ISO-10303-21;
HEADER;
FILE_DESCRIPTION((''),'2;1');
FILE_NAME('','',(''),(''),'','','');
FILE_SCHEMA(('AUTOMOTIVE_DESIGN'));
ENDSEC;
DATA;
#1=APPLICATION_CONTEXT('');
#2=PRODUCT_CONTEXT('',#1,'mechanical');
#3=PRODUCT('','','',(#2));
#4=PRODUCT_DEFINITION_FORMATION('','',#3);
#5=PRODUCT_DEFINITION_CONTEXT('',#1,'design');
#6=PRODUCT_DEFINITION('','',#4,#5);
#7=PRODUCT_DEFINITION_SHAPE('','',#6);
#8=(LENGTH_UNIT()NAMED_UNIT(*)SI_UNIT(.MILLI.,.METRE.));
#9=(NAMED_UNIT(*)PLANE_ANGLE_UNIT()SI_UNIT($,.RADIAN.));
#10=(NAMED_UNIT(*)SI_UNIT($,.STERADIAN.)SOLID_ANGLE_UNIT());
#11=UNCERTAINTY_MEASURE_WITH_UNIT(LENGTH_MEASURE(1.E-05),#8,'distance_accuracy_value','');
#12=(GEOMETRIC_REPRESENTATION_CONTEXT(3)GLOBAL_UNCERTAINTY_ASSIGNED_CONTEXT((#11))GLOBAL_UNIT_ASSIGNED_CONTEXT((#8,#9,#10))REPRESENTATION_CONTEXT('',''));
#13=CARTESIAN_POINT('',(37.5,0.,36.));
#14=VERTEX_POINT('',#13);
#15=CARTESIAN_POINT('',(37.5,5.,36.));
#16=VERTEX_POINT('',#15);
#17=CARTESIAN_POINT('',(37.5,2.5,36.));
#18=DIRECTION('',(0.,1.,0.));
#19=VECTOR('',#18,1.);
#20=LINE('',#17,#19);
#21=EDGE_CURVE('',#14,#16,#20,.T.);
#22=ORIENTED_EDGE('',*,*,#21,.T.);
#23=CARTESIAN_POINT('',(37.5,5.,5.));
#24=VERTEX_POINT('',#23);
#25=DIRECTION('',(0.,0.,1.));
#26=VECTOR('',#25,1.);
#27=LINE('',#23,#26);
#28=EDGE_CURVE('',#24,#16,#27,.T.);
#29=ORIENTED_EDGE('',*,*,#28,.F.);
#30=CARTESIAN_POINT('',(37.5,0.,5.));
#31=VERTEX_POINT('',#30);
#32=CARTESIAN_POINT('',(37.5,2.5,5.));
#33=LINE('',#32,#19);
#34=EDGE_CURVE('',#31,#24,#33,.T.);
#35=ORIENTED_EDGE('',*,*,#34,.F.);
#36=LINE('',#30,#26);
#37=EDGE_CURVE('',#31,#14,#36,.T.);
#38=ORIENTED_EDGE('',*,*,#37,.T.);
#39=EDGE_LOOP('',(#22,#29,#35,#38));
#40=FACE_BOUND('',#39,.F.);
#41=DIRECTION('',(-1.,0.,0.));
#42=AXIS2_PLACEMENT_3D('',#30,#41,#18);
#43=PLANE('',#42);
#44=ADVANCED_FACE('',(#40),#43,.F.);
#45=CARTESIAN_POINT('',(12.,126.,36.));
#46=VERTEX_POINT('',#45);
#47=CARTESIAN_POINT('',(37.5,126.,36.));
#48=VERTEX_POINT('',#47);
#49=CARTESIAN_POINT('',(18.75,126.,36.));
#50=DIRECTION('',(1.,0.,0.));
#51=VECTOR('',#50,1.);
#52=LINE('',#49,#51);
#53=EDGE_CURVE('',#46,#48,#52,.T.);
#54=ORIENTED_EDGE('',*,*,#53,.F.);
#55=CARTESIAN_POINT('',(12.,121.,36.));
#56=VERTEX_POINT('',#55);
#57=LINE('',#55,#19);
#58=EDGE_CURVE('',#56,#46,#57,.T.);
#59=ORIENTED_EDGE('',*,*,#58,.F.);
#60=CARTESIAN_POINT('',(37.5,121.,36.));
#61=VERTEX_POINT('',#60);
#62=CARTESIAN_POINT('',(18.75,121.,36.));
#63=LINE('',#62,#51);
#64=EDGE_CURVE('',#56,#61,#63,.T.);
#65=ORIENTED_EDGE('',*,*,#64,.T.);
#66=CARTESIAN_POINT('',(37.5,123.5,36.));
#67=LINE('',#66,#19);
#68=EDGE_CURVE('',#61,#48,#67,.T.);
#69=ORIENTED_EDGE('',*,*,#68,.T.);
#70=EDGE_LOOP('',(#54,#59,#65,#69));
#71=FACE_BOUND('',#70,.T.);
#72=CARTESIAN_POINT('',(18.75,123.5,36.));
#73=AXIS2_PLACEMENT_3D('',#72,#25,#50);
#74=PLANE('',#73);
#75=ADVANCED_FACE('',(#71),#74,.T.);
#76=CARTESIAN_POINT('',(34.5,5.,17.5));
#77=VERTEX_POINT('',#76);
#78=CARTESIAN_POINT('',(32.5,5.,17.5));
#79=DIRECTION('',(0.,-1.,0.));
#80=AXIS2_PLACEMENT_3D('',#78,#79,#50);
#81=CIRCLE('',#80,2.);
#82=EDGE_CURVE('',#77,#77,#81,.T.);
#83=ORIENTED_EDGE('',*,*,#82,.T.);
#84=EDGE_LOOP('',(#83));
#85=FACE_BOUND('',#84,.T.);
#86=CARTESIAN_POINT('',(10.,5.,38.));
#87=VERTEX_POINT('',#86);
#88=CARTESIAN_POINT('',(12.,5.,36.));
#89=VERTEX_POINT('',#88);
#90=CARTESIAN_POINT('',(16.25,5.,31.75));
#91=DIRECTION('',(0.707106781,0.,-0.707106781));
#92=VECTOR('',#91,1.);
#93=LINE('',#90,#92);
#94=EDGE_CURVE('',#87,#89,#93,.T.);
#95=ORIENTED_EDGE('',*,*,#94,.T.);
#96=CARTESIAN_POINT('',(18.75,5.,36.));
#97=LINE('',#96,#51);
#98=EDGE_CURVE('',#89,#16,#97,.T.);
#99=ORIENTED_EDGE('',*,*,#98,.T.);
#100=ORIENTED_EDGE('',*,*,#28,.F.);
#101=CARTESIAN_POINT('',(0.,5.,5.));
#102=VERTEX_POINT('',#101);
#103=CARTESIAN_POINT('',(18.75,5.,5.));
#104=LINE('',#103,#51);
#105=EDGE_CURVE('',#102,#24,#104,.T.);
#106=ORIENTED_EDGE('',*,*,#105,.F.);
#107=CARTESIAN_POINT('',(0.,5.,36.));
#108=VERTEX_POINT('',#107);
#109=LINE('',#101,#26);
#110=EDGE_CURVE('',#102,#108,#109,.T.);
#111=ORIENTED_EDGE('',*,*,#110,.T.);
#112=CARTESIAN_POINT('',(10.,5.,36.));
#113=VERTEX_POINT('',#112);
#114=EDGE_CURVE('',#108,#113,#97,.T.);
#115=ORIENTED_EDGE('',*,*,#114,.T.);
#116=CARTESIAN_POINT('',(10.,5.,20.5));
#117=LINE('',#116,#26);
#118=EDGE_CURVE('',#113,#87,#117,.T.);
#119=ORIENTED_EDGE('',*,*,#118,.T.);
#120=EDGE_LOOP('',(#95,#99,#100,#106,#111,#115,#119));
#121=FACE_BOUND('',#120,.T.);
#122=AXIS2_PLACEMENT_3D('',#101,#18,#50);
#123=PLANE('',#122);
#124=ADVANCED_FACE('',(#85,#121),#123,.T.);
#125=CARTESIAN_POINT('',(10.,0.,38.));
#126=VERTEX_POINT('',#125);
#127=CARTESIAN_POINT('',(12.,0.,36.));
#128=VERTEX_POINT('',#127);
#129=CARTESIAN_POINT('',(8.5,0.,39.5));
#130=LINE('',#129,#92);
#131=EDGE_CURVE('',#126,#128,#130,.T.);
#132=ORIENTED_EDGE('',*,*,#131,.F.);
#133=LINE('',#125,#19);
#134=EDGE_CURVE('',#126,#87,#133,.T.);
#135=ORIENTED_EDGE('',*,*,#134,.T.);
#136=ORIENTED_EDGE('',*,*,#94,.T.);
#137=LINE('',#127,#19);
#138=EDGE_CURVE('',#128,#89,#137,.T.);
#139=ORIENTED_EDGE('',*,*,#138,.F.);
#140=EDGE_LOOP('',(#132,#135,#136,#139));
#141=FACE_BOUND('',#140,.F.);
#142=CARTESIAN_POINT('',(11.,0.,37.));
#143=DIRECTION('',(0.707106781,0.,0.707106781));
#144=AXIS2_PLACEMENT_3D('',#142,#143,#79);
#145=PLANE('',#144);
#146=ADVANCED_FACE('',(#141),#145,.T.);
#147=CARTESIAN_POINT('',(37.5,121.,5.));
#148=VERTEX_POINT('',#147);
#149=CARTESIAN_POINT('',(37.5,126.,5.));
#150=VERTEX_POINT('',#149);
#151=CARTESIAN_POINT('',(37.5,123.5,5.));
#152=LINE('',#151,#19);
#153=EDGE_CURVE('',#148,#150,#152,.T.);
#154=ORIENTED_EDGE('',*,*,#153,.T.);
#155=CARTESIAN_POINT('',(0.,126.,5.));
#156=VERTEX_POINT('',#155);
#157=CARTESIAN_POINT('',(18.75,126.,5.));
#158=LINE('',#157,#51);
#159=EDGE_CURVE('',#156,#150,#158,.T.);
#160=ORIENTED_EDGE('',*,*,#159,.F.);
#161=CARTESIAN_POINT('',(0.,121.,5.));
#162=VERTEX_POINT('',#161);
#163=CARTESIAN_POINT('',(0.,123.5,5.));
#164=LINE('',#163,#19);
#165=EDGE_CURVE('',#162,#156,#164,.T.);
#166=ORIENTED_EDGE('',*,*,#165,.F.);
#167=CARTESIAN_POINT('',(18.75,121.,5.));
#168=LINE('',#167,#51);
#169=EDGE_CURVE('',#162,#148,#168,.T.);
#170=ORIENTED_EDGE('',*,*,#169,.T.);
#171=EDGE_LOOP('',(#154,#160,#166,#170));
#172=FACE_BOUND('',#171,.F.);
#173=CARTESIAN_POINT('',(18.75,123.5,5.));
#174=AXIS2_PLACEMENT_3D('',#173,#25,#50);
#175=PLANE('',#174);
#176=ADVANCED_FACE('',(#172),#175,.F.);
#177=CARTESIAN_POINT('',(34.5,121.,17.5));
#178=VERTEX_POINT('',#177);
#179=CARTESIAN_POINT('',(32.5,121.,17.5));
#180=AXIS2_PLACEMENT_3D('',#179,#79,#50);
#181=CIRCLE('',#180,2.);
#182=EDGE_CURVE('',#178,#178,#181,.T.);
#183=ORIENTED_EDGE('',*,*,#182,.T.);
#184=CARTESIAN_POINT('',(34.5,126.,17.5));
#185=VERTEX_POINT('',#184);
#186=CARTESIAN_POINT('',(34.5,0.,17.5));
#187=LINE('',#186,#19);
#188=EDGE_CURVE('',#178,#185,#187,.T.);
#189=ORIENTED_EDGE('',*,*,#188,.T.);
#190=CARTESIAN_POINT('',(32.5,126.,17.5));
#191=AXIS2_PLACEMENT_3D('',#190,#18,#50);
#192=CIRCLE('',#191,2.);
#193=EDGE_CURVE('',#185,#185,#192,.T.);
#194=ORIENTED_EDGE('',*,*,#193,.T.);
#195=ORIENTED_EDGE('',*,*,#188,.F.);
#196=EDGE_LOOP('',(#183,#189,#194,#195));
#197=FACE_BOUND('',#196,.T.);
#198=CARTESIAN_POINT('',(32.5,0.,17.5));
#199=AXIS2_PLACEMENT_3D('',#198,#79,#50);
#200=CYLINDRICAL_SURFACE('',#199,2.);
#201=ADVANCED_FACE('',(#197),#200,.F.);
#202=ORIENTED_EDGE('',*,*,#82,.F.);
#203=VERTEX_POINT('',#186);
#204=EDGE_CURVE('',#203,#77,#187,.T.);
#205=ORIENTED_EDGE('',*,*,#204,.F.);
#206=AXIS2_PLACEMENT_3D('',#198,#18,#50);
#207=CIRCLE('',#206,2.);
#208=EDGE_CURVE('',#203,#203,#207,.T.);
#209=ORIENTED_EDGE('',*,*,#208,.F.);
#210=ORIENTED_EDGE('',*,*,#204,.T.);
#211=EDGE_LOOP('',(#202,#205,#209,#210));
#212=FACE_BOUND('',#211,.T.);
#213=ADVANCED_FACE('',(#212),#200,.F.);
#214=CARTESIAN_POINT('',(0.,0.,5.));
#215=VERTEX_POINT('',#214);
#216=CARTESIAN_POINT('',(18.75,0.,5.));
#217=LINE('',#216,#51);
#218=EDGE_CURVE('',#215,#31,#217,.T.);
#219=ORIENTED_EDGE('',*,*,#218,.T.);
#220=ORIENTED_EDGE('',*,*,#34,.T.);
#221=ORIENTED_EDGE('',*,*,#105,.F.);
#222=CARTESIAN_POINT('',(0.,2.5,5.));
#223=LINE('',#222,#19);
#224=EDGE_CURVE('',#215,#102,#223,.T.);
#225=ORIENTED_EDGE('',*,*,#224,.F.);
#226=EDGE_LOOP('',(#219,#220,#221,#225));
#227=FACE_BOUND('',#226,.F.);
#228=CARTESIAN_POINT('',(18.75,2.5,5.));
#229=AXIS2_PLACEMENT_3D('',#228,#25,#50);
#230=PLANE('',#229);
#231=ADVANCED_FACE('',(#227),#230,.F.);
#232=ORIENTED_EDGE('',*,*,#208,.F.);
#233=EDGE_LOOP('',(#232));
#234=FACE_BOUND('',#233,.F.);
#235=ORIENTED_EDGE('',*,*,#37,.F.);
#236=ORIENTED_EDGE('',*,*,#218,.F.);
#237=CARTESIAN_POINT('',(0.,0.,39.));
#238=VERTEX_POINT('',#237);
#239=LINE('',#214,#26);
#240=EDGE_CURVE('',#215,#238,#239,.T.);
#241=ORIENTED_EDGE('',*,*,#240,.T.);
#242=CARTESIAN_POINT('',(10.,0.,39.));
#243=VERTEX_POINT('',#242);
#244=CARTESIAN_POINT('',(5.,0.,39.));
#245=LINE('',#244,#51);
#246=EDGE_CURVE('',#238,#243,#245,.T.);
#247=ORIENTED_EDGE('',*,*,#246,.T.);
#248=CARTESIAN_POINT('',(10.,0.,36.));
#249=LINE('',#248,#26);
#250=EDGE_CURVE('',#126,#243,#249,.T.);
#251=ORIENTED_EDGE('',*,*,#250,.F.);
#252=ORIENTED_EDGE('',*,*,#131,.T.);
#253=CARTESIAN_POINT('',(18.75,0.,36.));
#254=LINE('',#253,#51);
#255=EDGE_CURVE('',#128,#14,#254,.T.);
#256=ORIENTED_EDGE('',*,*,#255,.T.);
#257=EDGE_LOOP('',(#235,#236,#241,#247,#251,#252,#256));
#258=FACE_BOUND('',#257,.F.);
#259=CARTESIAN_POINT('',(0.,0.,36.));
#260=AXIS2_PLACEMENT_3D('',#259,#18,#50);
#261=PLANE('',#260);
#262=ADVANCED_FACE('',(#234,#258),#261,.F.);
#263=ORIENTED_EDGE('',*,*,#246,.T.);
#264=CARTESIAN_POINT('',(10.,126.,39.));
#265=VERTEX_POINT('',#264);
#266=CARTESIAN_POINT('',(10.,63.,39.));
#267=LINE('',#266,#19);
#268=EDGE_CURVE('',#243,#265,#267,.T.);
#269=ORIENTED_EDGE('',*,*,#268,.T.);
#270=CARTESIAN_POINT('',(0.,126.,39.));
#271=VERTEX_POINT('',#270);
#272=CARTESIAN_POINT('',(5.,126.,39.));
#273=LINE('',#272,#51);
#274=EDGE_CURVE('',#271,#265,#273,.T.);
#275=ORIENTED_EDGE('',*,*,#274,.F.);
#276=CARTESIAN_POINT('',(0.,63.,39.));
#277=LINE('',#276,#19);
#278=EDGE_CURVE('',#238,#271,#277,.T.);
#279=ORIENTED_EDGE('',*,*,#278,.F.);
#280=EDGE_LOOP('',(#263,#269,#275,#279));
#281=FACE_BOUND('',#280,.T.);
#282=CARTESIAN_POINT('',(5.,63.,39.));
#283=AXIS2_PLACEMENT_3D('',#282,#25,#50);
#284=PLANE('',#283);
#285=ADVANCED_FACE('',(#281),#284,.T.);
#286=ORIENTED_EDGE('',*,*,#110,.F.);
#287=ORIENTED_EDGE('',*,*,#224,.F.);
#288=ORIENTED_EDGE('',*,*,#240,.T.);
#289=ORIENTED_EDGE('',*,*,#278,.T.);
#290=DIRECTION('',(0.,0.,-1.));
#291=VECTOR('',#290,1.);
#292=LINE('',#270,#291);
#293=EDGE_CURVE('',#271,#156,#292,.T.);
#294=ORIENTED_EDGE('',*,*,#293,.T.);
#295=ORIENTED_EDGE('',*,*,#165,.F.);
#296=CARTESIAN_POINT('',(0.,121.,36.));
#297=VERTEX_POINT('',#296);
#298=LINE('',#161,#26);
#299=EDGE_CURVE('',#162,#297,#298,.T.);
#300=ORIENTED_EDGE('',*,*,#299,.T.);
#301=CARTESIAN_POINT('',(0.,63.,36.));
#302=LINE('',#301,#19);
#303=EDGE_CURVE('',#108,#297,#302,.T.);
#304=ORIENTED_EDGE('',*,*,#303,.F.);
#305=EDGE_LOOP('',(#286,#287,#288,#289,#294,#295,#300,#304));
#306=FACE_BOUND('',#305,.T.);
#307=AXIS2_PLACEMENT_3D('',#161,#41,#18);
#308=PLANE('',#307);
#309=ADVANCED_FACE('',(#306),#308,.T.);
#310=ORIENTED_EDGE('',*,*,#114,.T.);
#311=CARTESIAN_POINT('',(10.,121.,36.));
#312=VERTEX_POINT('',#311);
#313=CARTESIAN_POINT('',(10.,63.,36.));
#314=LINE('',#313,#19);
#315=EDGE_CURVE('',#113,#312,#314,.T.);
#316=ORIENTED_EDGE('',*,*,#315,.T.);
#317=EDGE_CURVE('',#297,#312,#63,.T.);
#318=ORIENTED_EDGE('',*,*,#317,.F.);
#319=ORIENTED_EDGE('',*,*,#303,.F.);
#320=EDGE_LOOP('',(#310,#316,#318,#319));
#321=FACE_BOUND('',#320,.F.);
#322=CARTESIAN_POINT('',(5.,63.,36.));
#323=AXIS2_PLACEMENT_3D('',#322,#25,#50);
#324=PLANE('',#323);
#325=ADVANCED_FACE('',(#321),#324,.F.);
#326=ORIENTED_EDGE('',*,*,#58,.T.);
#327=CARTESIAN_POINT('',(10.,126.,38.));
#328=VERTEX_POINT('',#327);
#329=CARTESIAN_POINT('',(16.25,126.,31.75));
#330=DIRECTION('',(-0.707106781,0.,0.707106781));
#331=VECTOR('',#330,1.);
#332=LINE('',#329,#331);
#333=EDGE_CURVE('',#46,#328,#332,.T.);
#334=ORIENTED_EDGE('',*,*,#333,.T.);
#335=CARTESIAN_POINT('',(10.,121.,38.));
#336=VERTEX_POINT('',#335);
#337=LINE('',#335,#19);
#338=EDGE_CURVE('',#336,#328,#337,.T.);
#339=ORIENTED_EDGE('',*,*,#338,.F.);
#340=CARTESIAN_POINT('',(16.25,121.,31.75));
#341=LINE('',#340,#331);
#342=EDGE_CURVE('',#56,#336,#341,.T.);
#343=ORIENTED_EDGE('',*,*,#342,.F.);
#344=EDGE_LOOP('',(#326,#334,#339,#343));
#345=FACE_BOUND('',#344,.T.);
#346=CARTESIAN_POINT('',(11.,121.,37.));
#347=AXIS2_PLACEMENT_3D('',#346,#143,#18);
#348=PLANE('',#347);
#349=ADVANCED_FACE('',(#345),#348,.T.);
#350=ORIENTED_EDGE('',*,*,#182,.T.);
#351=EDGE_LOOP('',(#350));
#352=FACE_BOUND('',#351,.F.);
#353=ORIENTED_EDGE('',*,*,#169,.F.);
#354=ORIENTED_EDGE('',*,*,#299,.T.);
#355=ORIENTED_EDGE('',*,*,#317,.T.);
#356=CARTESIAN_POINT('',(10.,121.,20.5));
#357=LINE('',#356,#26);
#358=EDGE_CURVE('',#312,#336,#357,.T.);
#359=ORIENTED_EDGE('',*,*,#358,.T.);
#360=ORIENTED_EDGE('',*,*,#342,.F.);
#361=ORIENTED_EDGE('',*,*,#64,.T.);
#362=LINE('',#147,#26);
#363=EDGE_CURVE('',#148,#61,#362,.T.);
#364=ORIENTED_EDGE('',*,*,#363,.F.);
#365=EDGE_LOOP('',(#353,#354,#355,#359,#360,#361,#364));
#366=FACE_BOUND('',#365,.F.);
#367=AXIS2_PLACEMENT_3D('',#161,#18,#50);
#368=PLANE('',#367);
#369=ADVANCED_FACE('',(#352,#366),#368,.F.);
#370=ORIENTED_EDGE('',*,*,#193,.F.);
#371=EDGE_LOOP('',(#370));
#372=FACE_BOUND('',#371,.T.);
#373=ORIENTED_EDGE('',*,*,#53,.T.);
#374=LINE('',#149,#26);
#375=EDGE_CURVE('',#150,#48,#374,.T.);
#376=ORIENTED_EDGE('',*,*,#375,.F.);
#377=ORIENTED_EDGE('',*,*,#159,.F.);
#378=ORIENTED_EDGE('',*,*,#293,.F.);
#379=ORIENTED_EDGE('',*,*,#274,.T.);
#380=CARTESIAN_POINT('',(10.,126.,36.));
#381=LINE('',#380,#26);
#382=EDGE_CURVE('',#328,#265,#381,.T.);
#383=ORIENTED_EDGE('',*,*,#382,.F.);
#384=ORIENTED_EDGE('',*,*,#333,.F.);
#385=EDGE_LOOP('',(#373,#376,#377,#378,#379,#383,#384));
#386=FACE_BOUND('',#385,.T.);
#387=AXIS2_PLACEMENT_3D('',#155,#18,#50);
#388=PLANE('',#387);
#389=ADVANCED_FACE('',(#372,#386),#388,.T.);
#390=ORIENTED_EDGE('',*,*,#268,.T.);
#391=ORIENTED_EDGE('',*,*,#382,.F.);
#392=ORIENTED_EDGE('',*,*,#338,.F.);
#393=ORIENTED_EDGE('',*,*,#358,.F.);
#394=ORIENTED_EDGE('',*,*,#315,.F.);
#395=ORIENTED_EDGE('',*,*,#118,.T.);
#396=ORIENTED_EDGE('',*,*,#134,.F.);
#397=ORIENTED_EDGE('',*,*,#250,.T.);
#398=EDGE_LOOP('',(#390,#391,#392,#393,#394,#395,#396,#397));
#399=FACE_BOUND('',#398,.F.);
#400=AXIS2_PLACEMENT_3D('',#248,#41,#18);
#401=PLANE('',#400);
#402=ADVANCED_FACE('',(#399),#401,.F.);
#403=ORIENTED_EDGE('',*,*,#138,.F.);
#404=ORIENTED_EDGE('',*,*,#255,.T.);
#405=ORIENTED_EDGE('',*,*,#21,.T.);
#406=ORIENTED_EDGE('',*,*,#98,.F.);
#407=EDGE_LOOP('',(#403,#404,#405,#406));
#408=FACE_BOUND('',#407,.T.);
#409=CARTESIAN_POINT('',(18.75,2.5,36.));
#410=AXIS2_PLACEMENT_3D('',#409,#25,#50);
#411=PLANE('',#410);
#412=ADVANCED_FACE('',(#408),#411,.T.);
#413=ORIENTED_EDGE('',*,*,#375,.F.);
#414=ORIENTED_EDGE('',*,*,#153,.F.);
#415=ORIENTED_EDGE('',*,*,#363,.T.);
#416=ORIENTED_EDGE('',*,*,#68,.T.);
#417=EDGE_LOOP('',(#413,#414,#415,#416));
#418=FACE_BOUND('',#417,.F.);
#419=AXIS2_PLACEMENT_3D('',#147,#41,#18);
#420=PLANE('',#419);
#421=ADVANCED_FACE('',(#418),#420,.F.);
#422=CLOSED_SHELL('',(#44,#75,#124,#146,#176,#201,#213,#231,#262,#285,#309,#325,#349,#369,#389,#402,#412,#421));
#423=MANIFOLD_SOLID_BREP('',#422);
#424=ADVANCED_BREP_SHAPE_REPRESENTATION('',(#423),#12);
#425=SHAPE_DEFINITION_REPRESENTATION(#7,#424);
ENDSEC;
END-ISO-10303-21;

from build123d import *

# Parameters (mm, degrees)
CYLINDER015_R     = 2
CYLINDER015_DEPTH = 126
BOX020_W          = 10
BOX020_H          = 126
BOX020_DEPTH      = 3
BOX019_W          = 37.5
BOX019_H          = 5
BOX019_DEPTH      = 31
BOX018_W          = 37.5
BOX018_H          = 5
BOX018_DEPTH      = 31
CHAMFER007_SIZE   = 2


with BuildPart() as cylinder015:
    # Cylinder015 → Cylinder015 (new body)
    with BuildSketch(Plane(origin=(32.5, 0, 17.5), x_dir=(1, 0, 0), z_dir=(0, 1, 0))):
        Circle(CYLINDER015_R)
    extrude(amount=CYLINDER015_DEPTH)


with BuildPart() as cube020:
    # Box020 → Box020 (new body)
    with BuildSketch(Plane.XY.offset(36)):
        with Locations((5, 63)):
            Rectangle(BOX020_W, BOX020_H)
    extrude(amount=BOX020_DEPTH)


with BuildPart() as cube019:
    # Box019 → Box019 (new body)
    with BuildSketch(Plane(origin=(0, 121, 5), x_dir=(1, 0, 0), z_dir=(0, 0, 1))):
        with Locations((18.75, 2.5)):
            Rectangle(BOX019_W, BOX019_H)
    extrude(amount=BOX019_DEPTH)


with BuildPart() as cut008004003003:
    # Box018 → Box018 (new body)
    with BuildSketch(Plane.XY.offset(5)):
        with Locations((18.75, 2.5)):
            Rectangle(BOX018_W, BOX018_H)
    extrude(amount=BOX018_DEPTH)

    # Fusion003009: union Cube020, Cube019
    add(cube020.part)
    add(cube019.part)

    # Chamfer007
    chamfer007_edges = [cut008004003003.edges().sort_by_distance(p)[0] for p in [
        (10, 2.5, 36),
        (10, 123.5, 36),
    ]]
    chamfer(chamfer007_edges, length=CHAMFER007_SIZE)

    # Cut008004003003: cut Cylinder015
    add(cylinder015.part, mode=Mode.SUBTRACT)


solid = cut008004003003.part
